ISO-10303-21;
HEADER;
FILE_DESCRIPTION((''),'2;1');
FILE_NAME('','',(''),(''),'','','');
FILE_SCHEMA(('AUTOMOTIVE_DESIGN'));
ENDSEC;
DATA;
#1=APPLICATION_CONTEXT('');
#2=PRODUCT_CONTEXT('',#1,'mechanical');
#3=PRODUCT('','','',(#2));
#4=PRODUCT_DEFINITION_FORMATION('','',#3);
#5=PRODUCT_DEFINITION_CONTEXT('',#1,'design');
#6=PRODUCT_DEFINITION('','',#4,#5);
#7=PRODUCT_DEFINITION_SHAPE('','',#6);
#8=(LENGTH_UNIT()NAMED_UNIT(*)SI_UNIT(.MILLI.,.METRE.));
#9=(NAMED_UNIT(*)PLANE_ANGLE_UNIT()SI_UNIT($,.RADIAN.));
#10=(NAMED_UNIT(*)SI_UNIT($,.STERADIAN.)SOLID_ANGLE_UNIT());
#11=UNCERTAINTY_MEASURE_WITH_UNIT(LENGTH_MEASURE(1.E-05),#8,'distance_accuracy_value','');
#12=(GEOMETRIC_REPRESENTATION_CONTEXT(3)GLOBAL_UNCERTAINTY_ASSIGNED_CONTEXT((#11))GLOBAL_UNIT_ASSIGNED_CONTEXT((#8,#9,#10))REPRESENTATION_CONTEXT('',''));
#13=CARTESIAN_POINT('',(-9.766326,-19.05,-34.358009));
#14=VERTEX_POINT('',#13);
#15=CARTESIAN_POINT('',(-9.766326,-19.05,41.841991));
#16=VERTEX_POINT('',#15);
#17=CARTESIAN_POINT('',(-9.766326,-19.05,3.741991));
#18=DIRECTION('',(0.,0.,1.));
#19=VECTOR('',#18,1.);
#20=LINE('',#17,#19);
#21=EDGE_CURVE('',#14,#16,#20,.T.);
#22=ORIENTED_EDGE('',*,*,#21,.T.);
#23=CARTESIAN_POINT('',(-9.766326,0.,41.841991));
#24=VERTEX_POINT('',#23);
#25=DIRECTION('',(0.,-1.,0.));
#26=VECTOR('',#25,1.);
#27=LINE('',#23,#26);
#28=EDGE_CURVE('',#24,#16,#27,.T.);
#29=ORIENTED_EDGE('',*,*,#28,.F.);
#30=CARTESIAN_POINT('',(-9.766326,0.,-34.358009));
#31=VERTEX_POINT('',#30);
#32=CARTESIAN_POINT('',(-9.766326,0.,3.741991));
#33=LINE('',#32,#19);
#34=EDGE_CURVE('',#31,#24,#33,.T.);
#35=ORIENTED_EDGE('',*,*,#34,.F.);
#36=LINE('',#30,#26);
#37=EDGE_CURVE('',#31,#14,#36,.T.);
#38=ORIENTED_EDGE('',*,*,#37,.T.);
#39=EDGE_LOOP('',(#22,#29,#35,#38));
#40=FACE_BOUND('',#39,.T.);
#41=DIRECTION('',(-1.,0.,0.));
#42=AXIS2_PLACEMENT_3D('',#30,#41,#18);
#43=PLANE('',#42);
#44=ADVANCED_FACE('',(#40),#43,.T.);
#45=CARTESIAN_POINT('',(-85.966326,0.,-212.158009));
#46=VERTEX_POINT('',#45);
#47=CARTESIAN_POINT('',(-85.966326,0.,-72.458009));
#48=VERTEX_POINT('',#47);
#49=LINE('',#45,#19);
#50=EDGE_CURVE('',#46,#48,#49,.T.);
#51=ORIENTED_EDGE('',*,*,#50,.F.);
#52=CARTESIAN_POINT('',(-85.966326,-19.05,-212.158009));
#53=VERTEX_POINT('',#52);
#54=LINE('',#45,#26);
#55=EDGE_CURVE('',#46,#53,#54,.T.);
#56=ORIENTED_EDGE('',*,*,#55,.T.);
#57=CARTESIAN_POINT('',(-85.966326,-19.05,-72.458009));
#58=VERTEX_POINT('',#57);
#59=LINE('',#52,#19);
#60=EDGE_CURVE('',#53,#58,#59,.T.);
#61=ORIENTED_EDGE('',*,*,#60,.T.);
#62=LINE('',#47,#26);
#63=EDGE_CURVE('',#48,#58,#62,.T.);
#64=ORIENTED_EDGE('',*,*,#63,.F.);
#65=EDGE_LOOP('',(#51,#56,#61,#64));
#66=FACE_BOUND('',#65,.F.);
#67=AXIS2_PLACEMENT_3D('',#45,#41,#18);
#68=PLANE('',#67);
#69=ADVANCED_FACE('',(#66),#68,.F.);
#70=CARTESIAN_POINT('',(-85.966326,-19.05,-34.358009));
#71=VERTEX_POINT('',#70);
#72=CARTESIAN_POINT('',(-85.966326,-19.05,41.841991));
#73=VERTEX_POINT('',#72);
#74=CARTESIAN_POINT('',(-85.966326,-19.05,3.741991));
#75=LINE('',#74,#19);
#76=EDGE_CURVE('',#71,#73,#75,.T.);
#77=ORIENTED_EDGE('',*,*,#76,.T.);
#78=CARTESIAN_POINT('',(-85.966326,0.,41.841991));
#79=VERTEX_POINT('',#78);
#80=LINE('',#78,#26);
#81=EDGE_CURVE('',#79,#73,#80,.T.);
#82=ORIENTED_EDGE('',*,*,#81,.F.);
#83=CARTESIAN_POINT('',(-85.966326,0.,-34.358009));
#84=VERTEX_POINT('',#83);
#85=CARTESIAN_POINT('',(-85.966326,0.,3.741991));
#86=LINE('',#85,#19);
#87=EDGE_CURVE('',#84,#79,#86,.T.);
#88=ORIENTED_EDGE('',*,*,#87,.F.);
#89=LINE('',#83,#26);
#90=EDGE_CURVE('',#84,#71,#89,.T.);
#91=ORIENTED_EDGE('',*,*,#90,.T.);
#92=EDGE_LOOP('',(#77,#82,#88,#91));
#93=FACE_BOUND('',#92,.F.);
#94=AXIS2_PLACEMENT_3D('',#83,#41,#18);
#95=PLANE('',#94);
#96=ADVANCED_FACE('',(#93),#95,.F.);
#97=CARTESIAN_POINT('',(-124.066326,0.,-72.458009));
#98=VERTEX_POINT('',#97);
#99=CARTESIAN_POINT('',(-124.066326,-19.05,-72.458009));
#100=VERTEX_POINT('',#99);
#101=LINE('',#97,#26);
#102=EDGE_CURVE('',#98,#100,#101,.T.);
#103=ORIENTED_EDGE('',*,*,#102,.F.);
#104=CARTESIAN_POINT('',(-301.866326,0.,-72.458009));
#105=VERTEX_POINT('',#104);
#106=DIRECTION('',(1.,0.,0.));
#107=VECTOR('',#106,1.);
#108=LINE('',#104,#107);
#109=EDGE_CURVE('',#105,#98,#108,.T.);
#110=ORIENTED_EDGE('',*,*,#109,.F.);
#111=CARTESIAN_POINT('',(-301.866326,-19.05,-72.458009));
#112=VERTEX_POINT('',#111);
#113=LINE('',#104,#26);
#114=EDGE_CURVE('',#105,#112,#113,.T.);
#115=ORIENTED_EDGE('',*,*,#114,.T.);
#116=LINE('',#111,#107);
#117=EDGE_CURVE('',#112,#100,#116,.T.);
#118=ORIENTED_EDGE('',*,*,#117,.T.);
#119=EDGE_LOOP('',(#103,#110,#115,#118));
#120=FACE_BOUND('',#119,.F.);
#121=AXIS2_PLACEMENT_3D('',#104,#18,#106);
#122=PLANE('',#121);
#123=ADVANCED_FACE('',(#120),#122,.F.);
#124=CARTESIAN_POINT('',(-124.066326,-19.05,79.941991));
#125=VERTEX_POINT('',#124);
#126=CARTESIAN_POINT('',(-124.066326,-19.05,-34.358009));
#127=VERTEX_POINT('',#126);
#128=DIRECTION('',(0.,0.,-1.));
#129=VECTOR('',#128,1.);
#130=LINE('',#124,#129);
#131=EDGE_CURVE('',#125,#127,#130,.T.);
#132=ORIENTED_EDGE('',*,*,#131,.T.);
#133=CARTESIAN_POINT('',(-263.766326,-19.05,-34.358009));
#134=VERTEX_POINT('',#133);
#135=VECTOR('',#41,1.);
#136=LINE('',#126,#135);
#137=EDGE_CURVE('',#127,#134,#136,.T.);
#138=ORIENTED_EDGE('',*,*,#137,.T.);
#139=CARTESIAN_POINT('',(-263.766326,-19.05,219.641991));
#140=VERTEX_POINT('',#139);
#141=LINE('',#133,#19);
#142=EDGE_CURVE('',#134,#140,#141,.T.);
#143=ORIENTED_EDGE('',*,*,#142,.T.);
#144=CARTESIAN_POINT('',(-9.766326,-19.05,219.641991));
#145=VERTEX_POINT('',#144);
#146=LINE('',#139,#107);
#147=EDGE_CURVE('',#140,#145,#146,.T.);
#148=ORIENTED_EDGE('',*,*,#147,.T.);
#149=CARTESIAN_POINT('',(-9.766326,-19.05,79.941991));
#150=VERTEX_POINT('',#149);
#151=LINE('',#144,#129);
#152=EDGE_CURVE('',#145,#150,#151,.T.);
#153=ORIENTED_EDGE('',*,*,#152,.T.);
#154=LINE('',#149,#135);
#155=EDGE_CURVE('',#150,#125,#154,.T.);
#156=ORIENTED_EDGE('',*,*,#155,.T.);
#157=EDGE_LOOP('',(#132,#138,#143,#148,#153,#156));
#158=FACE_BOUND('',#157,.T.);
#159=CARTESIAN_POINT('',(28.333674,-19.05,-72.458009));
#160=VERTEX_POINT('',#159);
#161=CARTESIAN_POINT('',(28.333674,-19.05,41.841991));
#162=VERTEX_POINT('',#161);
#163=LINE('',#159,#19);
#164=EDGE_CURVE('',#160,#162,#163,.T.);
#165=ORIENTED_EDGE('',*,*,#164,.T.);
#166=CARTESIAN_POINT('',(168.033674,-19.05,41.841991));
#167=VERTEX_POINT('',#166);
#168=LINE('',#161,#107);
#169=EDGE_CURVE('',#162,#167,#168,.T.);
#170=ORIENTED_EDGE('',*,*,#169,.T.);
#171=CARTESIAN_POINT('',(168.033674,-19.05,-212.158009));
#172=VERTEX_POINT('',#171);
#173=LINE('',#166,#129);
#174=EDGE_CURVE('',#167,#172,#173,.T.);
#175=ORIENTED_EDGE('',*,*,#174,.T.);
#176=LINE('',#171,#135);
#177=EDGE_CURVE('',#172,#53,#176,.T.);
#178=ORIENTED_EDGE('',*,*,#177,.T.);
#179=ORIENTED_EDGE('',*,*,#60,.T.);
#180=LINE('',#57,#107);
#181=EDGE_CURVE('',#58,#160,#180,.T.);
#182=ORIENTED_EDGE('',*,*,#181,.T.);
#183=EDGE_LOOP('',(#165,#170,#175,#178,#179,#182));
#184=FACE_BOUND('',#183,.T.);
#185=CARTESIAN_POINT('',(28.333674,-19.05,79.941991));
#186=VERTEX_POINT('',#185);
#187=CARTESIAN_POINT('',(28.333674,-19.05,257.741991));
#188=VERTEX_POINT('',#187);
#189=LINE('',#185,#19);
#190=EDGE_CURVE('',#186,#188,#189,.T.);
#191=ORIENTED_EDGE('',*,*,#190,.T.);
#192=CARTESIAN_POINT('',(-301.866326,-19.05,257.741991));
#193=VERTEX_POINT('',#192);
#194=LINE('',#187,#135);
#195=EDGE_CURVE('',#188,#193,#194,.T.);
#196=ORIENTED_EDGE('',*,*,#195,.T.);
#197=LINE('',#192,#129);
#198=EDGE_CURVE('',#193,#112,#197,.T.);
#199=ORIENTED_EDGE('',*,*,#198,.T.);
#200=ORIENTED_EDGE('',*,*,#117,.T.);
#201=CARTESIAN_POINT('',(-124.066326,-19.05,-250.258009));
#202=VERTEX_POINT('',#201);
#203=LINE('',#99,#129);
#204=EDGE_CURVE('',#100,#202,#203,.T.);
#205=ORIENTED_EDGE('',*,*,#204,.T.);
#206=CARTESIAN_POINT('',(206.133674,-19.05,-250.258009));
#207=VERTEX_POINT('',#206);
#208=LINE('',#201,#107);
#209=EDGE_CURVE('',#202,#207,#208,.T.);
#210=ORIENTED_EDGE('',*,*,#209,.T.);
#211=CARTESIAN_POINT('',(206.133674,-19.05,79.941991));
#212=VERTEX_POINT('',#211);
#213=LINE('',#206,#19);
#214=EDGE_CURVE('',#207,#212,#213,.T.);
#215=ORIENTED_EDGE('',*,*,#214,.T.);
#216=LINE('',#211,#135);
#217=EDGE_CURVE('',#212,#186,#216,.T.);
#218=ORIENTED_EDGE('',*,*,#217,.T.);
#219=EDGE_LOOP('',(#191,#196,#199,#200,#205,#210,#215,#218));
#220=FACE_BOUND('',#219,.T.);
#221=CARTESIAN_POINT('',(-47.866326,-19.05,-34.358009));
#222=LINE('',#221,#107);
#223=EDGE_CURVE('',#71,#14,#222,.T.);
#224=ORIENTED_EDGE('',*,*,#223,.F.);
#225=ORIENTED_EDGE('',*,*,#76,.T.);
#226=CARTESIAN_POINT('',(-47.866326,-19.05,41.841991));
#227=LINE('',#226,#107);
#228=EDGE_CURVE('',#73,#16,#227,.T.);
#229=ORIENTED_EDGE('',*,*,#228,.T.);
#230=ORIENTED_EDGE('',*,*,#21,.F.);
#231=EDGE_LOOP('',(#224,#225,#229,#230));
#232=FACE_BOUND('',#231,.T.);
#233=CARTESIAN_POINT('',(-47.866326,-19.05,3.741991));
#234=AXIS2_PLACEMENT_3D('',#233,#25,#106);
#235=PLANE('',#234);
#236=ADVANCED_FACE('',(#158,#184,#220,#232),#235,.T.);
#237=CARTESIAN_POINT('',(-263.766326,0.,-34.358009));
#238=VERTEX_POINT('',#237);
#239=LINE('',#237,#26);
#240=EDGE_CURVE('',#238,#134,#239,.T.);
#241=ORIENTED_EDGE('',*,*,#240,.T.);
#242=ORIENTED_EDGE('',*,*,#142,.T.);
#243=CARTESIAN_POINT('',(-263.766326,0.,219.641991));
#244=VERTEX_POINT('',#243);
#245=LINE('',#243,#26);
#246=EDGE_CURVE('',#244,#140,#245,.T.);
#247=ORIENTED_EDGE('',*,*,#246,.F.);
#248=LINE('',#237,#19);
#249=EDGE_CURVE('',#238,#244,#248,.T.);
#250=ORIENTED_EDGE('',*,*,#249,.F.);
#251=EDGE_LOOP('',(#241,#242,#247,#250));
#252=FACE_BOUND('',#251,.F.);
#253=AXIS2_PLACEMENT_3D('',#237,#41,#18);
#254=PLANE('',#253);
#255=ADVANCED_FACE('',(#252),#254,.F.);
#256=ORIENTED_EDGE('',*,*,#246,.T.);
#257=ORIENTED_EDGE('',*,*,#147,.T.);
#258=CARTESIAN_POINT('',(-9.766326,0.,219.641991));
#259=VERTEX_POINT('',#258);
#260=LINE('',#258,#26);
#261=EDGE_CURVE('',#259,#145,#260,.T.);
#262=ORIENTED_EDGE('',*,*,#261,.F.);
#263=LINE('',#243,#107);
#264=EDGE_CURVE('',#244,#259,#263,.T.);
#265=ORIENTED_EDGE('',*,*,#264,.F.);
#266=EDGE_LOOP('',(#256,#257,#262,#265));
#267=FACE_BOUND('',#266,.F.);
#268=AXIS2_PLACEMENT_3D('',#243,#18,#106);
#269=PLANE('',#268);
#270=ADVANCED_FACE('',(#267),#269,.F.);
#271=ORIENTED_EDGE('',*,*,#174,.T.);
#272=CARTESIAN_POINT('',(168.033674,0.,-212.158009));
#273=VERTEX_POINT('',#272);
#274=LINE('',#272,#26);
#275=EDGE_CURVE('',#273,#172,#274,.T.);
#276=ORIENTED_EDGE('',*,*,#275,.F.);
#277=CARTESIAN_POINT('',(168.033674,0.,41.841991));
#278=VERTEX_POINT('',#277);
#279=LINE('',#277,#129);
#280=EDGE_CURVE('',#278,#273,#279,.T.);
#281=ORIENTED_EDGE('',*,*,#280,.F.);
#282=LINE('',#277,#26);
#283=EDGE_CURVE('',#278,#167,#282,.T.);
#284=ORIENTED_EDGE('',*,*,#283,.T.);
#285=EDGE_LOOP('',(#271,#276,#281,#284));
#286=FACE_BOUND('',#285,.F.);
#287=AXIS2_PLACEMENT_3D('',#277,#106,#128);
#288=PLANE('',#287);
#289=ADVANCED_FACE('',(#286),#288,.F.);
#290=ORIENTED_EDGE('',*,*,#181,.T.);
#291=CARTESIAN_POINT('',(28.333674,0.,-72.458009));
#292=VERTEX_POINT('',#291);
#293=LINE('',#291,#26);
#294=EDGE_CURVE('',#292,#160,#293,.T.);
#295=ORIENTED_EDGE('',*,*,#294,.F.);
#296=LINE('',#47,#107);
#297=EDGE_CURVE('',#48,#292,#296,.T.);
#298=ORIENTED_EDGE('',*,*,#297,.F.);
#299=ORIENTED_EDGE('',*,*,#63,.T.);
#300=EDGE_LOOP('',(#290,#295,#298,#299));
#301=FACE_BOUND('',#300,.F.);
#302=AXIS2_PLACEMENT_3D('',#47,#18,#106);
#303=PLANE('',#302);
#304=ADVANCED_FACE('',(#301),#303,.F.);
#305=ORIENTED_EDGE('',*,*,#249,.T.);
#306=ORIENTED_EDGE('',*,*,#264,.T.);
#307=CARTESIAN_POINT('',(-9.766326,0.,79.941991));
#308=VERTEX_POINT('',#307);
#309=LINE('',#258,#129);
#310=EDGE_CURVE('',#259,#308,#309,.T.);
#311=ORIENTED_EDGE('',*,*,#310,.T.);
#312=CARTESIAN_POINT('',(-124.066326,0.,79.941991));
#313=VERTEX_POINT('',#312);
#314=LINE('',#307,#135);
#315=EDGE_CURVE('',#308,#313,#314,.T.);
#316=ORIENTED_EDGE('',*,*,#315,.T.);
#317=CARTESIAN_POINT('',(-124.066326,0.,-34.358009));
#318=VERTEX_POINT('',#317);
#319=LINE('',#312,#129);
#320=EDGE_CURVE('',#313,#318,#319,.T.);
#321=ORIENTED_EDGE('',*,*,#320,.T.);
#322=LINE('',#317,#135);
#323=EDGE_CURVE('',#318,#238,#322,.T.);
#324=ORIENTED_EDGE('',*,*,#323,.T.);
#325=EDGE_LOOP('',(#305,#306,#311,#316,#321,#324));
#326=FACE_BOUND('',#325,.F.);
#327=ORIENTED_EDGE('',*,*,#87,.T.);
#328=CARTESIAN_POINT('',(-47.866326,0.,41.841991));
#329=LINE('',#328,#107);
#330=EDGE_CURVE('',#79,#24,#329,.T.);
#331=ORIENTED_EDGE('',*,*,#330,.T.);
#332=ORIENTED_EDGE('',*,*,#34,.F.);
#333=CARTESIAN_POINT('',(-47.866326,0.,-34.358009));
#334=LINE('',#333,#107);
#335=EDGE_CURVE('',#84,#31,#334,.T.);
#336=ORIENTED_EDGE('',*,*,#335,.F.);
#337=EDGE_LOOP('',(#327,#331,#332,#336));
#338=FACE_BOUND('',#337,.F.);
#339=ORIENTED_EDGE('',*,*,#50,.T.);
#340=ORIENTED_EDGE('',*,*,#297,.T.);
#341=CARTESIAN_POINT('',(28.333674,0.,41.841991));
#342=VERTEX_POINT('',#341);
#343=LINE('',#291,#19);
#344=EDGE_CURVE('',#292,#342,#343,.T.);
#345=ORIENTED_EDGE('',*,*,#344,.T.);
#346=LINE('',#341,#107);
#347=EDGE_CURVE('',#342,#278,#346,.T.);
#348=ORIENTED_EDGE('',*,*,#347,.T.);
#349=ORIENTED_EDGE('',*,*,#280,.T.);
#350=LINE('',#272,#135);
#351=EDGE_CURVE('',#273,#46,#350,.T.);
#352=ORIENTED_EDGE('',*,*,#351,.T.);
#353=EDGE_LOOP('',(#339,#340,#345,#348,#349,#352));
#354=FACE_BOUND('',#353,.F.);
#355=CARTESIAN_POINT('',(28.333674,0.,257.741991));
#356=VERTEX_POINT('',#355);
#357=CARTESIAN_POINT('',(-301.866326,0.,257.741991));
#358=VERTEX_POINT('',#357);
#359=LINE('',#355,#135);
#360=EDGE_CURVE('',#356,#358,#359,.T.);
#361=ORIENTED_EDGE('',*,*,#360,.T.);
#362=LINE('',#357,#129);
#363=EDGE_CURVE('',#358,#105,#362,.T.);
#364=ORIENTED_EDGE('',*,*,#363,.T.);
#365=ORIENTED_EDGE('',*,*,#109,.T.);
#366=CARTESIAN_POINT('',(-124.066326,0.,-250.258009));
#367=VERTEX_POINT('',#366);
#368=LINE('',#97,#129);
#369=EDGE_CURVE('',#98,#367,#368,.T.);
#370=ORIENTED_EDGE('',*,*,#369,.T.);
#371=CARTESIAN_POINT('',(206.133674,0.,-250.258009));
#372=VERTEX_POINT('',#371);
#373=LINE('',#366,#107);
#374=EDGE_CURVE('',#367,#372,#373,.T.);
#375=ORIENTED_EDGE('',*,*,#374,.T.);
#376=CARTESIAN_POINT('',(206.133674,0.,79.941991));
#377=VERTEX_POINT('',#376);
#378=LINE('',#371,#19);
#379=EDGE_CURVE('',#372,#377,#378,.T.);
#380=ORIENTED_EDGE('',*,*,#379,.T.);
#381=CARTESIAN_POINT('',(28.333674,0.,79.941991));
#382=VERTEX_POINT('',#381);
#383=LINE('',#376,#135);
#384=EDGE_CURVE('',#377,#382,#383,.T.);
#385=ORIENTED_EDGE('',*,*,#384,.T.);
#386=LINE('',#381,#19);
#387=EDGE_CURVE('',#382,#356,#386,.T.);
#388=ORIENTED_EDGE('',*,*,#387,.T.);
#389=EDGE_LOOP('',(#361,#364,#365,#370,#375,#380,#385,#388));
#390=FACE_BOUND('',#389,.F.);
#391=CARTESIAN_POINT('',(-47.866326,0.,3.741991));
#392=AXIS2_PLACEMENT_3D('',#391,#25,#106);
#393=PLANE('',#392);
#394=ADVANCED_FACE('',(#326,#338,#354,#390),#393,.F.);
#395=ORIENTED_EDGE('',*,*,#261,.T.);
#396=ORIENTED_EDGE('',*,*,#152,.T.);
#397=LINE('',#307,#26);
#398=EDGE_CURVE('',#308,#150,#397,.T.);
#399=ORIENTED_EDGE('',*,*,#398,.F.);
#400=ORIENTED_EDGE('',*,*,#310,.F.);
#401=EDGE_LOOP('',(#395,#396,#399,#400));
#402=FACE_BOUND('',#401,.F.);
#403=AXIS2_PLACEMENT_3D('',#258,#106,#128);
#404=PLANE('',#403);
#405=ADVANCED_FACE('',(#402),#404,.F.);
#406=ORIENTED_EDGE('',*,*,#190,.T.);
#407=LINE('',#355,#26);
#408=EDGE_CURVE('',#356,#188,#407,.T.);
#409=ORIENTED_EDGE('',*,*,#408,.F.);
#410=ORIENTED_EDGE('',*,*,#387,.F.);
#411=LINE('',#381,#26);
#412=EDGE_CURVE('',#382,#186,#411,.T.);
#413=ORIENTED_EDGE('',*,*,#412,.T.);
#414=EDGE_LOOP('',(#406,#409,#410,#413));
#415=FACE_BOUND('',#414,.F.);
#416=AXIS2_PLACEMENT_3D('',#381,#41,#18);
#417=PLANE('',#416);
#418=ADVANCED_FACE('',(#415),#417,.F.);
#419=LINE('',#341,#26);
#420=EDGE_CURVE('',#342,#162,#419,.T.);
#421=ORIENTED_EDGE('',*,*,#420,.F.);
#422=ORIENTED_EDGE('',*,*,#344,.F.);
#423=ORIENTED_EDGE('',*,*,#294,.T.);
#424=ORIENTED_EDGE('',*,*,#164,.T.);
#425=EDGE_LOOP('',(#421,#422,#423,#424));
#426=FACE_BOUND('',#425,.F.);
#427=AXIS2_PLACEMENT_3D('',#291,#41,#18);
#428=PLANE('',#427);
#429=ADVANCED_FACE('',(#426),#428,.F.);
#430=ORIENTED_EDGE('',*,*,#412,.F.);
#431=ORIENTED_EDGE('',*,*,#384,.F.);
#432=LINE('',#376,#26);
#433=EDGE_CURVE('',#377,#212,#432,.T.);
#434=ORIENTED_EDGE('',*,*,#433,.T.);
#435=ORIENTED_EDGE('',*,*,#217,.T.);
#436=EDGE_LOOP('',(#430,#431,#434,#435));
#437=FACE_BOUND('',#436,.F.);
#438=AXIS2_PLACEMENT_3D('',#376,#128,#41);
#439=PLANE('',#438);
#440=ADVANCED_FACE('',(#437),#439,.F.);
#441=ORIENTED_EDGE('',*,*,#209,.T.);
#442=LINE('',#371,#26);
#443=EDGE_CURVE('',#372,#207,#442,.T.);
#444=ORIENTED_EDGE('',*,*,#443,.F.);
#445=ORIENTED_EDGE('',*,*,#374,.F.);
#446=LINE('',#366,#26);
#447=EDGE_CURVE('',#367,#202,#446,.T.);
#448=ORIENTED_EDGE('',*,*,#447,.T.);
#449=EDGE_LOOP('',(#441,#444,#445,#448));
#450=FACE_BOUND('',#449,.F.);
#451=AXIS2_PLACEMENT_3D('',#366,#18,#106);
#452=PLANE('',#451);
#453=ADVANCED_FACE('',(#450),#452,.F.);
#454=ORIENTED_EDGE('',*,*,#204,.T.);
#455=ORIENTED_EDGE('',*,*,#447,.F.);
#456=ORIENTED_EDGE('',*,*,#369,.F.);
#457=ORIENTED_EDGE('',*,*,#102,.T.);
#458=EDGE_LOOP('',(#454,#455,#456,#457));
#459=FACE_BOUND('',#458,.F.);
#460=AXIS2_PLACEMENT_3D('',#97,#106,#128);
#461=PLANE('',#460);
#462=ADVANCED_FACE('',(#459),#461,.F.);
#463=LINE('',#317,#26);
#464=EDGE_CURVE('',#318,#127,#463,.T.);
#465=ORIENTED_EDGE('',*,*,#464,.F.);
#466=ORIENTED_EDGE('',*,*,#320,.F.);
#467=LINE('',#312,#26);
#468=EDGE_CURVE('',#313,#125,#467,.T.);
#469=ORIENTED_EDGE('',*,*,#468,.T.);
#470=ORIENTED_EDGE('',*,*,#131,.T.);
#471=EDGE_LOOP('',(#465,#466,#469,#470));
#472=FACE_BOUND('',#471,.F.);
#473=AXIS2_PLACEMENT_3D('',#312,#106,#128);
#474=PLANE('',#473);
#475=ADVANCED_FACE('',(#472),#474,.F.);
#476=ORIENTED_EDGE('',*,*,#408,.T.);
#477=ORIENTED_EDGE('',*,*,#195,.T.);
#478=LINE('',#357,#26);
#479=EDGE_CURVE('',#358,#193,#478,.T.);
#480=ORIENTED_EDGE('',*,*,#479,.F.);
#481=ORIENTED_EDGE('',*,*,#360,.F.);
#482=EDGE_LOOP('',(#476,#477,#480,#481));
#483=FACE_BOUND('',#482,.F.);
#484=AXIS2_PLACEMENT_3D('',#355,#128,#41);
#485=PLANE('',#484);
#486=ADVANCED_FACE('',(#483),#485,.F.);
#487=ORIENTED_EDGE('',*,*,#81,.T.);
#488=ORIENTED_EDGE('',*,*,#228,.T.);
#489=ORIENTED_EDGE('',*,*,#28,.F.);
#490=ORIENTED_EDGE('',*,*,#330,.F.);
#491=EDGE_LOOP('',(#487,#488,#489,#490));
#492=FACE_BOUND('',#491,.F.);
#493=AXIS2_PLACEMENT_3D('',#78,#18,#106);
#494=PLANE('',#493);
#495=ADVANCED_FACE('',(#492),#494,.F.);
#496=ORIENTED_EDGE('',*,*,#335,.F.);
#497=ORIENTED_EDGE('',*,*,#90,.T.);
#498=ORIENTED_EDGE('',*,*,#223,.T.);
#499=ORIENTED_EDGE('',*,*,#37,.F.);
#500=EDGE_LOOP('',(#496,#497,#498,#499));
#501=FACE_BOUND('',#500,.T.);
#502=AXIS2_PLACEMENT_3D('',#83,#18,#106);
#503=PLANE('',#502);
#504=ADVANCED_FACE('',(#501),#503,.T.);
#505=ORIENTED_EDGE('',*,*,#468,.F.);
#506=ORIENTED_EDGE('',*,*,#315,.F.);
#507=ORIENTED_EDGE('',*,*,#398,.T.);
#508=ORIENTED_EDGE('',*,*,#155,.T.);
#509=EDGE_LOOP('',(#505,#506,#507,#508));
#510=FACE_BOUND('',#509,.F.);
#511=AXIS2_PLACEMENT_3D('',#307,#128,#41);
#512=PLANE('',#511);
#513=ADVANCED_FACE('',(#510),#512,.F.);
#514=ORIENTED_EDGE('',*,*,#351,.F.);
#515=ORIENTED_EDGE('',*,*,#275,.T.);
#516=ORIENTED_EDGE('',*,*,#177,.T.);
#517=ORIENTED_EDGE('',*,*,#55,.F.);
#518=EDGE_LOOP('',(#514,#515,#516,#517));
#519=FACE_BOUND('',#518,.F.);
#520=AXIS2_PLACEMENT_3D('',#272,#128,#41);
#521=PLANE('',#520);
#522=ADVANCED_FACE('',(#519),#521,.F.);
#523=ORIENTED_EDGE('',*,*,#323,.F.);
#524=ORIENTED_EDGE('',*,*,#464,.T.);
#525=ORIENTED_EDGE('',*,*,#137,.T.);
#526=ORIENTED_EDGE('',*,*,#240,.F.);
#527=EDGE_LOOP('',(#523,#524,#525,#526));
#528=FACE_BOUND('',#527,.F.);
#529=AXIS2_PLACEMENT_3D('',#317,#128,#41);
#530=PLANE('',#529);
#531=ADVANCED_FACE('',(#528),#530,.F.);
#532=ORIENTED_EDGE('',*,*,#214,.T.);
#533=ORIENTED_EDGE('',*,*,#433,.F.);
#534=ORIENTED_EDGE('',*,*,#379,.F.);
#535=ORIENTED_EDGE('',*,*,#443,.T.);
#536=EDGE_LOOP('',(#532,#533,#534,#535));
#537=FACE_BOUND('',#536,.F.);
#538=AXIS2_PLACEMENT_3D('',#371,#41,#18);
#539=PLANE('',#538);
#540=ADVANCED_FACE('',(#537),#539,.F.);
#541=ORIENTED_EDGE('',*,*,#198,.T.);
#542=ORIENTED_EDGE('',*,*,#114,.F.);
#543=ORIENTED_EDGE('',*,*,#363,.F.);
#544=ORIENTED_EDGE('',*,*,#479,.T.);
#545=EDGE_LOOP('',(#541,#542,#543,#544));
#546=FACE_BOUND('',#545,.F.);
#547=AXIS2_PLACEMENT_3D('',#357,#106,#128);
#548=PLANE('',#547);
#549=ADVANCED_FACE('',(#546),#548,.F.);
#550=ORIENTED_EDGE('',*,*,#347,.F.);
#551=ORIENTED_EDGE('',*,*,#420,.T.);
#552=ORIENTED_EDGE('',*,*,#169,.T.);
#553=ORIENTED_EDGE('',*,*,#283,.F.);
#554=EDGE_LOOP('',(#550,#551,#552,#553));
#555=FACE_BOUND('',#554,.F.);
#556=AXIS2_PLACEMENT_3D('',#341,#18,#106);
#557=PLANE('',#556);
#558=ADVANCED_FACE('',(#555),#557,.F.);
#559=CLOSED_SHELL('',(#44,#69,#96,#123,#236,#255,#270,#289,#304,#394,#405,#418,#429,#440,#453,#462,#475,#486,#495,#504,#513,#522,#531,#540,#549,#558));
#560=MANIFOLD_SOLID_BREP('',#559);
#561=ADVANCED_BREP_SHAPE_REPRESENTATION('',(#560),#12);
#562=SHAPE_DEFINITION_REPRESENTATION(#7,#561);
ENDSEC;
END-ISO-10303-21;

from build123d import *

# Parameters (mm, degrees)
F0_W     = 76.2
F0_H     = 76.2
F1_DEPTH = 19.05


with BuildPart() as f1:
    # F0 (on Front) → F1 (new body)
    with BuildSketch(Plane.XZ):
        Polygon((28.333674, 257.741991), (-301.866326, 257.741991), (-301.866326, -72.458009), (-124.066326, -72.458009), (-124.066326, -250.258009), (206.133674, -250.258009), (206.133674, 79.941991), (28.333674, 79.941991), align=None)
        Polygon((168.033674, -212.158009), (-85.966326, -212.158009), (-85.966326, -72.458009), (28.333674, -72.458009), (28.333674, 41.841991), (168.033674, 41.841991), align=None, mode=Mode.SUBTRACT)
        with Locations((-47.866326, 3.741991)):
            Rectangle(F0_W, F0_H, mode=Mode.SUBTRACT)
        Polygon((-263.766326, -34.358009), (-263.766326, 219.641991), (-9.766326, 219.641991), (-9.766326, 79.941991), (-124.066326, 79.941991), (-124.066326, -34.358009), align=None, mode=Mode.SUBTRACT)
    extrude(amount=F1_DEPTH)


solid = f1.part
